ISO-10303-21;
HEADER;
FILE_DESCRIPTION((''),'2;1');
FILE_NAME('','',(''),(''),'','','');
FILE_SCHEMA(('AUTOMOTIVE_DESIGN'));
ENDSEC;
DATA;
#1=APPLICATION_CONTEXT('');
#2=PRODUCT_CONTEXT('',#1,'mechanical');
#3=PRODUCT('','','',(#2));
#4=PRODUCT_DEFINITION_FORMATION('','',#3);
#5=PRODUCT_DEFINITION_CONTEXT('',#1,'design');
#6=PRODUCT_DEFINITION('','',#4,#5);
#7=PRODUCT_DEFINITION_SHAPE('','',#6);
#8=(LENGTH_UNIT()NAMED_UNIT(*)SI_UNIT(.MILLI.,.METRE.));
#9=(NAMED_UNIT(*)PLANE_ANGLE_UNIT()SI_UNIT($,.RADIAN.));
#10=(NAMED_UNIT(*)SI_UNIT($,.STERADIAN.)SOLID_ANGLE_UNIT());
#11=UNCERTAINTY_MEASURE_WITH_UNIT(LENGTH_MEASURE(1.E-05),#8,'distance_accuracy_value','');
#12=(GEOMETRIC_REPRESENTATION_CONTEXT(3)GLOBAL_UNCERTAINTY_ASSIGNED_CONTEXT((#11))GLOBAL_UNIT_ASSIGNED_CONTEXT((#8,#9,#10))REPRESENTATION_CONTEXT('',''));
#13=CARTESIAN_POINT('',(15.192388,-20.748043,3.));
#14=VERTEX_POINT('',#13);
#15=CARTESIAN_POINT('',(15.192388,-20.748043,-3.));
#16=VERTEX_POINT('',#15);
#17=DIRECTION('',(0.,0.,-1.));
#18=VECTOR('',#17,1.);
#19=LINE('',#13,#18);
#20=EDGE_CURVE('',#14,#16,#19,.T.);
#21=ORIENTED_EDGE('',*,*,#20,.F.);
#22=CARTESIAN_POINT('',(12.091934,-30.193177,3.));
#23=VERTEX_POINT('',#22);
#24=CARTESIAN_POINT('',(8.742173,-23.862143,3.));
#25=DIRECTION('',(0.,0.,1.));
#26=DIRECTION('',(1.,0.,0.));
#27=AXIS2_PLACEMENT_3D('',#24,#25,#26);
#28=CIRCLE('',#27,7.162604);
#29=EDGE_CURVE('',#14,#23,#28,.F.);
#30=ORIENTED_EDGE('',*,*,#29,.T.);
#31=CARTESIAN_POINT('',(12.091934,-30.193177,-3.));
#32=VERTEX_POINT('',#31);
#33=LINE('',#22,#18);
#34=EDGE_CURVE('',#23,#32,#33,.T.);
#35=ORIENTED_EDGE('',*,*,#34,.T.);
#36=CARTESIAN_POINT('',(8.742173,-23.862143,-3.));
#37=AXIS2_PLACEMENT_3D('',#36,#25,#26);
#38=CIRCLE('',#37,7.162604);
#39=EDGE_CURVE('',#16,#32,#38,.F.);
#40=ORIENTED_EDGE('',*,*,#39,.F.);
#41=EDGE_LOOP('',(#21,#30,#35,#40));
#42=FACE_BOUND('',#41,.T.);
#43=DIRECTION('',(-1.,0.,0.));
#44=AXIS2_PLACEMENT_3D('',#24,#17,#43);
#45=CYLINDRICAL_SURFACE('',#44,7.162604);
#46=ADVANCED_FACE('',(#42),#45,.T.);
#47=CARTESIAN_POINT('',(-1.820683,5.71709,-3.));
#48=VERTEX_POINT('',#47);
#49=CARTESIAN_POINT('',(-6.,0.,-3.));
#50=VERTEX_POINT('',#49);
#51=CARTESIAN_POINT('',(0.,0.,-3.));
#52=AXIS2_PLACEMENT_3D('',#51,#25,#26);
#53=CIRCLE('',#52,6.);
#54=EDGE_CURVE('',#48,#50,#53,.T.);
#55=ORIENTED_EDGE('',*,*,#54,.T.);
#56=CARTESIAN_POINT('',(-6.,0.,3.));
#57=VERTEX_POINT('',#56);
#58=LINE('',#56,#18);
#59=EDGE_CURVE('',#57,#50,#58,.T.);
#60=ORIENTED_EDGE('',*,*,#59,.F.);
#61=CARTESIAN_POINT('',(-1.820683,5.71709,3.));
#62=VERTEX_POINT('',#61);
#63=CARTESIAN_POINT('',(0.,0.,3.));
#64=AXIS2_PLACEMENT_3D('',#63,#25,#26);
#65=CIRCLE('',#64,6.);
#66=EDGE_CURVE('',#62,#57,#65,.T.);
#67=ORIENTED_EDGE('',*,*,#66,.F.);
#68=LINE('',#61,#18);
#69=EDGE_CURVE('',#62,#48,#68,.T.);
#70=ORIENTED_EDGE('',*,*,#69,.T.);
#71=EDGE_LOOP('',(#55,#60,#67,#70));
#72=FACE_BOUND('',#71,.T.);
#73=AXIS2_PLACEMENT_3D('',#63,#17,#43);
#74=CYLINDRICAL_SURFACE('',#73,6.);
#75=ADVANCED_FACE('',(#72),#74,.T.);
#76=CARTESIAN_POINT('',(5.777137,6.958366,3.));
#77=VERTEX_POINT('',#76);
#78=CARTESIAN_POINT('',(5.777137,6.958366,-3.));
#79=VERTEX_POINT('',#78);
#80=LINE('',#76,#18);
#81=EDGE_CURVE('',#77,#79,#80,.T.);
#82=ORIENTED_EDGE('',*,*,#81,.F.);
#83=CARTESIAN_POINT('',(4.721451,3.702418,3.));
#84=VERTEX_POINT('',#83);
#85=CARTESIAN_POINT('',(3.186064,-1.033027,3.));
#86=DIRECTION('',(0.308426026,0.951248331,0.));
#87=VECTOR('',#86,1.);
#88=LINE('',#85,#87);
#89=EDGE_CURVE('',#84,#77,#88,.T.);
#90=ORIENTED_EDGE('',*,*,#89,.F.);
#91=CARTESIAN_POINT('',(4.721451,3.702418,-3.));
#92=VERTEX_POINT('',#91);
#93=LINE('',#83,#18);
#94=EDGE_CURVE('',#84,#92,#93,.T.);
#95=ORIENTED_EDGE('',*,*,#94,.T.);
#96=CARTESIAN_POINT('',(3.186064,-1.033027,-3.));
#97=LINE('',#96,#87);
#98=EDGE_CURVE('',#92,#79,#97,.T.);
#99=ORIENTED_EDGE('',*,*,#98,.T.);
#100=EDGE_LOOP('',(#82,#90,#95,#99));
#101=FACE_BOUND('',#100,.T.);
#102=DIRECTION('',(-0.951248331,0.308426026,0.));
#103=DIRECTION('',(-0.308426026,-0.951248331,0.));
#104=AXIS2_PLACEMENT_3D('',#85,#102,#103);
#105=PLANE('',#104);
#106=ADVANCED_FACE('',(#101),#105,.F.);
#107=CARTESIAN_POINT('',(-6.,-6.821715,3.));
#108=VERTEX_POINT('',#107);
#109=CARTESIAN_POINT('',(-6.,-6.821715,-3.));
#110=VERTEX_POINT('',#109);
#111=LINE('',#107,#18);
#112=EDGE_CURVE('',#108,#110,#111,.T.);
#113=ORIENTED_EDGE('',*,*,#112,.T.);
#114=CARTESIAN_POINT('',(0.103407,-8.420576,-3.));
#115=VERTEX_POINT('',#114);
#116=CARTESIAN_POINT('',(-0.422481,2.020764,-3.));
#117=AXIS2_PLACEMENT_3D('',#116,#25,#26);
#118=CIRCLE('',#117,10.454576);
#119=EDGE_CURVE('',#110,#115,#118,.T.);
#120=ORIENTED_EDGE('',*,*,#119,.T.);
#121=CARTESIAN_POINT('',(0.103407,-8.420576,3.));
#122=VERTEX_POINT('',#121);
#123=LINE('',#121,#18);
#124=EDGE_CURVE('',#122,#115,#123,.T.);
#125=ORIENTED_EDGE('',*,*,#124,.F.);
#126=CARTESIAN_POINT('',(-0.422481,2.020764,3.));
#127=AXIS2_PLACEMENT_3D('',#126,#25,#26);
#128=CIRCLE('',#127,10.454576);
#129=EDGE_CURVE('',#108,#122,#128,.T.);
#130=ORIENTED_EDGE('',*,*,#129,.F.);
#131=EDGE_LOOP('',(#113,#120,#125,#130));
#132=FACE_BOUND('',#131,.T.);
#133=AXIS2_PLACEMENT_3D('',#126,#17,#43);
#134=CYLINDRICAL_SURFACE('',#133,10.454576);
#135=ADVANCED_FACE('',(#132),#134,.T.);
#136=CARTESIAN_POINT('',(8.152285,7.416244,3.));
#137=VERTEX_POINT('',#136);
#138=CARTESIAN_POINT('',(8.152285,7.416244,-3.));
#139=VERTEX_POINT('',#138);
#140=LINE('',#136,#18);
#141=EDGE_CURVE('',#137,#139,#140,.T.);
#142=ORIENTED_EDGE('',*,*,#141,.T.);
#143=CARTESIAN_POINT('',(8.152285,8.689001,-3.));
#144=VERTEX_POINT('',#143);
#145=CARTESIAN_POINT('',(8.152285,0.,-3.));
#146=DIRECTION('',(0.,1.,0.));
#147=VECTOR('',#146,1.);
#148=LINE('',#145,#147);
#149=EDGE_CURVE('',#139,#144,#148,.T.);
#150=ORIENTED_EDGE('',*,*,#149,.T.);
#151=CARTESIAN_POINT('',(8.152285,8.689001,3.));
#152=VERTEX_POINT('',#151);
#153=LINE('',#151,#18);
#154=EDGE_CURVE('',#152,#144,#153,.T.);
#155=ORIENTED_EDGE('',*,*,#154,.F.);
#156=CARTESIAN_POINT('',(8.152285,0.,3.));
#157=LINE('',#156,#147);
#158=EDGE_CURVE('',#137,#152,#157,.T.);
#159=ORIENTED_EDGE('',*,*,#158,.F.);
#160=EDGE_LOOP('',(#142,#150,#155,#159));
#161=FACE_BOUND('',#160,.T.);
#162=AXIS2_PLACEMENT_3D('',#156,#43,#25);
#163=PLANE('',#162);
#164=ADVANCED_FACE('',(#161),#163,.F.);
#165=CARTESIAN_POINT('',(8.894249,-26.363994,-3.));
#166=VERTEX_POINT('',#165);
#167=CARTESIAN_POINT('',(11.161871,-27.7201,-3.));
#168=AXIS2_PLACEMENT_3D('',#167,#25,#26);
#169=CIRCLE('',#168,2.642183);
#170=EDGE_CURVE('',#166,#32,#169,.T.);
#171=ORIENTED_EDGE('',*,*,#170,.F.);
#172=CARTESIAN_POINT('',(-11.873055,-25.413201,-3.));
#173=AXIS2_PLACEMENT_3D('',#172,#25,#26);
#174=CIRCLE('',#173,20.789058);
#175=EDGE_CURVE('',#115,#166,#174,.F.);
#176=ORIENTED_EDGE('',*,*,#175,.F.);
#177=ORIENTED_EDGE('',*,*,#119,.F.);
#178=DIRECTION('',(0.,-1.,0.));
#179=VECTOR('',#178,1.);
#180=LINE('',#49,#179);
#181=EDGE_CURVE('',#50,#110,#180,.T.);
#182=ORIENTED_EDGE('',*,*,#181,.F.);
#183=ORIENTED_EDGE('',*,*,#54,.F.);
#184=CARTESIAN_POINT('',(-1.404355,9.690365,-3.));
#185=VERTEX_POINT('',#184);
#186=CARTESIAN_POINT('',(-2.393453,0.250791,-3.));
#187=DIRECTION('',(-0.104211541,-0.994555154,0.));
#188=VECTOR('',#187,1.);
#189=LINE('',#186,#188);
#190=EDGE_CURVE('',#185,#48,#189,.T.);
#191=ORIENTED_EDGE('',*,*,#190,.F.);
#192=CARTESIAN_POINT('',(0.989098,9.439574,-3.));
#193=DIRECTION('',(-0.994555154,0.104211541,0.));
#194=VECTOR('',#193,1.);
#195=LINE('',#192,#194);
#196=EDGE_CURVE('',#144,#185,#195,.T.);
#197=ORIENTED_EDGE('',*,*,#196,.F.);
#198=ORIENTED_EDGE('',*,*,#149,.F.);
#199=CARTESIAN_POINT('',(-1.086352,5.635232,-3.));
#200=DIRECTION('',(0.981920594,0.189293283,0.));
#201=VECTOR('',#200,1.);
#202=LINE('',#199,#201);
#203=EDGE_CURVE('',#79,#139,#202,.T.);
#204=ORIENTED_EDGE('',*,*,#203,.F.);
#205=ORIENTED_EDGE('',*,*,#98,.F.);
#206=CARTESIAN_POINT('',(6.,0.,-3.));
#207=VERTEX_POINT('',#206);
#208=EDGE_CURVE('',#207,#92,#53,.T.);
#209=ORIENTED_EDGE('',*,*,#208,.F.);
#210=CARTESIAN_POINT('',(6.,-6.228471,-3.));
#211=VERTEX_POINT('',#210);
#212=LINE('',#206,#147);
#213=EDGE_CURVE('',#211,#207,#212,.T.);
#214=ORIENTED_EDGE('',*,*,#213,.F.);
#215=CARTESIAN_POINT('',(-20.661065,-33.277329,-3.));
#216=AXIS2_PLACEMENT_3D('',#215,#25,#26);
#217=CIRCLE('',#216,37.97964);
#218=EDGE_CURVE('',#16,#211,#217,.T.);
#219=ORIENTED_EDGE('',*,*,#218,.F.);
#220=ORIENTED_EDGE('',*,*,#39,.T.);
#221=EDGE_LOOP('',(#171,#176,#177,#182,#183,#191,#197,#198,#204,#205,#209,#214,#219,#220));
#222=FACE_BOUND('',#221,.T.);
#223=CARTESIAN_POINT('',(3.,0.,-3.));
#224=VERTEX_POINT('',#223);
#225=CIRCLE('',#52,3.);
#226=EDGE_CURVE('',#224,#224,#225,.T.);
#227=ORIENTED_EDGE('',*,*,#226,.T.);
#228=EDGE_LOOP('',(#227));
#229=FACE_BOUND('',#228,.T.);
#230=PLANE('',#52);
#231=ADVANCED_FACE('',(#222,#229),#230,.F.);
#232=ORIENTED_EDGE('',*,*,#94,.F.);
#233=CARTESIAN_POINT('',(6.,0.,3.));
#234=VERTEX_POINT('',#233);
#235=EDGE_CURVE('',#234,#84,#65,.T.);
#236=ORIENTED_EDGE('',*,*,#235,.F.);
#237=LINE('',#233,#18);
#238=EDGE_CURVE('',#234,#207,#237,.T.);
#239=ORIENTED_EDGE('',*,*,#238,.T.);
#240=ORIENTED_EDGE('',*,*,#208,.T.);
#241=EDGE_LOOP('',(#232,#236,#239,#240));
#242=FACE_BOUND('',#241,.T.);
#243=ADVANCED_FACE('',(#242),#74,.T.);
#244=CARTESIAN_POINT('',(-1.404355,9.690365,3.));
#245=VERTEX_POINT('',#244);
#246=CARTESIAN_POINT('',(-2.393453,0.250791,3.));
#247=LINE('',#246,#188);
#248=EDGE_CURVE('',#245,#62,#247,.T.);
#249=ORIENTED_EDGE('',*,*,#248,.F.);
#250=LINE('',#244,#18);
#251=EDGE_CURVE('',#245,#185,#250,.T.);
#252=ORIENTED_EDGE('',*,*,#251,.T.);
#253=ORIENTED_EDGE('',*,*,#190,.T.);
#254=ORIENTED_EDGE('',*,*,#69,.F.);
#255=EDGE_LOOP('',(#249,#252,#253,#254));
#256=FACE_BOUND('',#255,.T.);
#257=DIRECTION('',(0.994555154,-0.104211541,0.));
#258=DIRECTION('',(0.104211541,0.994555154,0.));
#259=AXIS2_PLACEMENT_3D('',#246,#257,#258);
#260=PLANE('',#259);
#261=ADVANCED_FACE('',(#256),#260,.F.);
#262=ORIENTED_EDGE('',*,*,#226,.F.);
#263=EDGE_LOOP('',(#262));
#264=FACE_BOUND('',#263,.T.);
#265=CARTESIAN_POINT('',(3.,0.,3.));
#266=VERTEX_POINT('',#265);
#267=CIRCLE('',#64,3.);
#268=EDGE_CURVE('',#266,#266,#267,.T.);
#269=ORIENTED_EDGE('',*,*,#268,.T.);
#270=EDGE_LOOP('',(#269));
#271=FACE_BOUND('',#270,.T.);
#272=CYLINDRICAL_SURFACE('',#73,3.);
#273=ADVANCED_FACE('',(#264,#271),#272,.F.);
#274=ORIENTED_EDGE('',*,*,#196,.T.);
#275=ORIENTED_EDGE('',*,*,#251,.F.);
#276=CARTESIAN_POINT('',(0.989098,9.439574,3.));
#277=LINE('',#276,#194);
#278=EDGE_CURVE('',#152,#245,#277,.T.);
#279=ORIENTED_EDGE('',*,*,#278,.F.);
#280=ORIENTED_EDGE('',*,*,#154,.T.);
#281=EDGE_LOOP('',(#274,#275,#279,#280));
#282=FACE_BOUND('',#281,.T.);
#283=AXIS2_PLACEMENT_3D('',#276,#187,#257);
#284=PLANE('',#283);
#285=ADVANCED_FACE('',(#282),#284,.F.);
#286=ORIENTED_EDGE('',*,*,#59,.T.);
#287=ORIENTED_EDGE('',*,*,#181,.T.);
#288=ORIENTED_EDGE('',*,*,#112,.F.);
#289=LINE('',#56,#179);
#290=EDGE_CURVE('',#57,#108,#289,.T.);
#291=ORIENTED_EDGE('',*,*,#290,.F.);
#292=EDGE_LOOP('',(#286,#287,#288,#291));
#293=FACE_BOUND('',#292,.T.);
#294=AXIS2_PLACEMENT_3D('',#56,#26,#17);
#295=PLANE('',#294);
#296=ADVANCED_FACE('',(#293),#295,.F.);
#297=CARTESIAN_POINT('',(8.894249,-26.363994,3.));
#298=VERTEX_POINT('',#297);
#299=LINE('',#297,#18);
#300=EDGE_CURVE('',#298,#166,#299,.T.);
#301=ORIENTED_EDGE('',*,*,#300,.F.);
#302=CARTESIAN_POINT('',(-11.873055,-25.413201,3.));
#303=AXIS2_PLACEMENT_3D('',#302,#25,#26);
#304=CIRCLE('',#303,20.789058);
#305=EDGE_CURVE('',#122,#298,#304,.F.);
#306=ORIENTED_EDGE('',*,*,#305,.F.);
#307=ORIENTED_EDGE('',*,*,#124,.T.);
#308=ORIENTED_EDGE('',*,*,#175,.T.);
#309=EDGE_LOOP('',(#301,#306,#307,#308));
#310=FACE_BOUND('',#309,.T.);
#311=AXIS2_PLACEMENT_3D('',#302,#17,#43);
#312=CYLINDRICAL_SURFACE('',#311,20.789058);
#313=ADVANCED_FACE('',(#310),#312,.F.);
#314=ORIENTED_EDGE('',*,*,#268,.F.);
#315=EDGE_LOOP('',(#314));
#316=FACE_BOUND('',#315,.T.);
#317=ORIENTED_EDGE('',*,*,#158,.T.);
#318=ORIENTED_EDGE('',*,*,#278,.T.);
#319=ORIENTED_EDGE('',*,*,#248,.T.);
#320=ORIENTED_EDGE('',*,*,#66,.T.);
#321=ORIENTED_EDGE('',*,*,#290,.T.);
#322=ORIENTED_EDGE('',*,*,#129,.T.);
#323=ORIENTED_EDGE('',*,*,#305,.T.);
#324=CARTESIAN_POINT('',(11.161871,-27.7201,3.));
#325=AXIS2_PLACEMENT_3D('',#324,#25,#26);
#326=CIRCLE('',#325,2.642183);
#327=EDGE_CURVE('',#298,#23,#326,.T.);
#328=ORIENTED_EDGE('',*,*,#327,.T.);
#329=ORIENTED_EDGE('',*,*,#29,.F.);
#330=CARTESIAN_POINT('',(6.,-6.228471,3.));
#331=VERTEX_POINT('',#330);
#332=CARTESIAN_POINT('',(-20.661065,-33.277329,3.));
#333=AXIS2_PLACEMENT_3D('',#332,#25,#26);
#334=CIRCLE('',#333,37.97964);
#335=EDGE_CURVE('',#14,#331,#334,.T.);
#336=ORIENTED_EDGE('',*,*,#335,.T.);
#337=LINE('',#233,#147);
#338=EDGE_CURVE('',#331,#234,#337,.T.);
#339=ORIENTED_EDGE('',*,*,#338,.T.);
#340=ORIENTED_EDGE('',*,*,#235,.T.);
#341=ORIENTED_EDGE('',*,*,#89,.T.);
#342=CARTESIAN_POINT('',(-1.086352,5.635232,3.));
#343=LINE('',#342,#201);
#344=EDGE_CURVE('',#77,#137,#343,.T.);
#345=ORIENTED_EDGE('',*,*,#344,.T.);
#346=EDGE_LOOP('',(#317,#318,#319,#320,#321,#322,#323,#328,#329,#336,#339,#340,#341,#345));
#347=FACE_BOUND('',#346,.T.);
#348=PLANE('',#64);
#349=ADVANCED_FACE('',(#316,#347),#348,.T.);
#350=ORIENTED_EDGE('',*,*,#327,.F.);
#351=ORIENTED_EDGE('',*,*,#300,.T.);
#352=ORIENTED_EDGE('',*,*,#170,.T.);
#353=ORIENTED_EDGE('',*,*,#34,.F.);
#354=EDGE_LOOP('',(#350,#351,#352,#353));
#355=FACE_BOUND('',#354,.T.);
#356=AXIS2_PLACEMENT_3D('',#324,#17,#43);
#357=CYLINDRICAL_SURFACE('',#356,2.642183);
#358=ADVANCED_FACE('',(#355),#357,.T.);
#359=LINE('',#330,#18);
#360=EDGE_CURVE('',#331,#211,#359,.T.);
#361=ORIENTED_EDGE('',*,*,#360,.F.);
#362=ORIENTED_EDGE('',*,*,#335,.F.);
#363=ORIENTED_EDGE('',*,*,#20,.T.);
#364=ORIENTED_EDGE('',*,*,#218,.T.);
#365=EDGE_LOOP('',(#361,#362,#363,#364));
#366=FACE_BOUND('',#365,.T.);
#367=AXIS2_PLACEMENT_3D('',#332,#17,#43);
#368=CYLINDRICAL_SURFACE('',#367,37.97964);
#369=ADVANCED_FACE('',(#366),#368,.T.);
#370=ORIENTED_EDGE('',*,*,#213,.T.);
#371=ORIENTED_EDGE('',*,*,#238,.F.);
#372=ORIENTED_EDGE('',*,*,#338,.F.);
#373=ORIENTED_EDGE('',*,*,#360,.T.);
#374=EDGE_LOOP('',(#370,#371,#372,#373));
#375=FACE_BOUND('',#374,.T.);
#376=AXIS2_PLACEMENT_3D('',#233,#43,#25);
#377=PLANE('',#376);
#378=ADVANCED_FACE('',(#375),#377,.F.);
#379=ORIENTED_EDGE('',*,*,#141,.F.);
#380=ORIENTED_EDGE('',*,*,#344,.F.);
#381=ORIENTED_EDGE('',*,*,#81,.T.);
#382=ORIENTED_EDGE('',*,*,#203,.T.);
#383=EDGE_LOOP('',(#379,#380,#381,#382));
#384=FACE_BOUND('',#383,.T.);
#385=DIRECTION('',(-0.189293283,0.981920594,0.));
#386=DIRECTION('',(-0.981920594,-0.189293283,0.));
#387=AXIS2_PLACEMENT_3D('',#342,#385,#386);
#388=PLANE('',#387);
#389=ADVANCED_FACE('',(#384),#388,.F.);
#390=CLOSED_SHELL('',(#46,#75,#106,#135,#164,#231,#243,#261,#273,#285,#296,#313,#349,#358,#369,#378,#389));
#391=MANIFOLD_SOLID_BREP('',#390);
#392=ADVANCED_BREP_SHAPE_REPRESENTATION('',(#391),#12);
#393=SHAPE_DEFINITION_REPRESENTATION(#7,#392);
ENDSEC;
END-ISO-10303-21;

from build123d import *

# Parameters (mm, degrees)
SKETCH_1_R      = 3
EXTRUDE_1_DEPTH = 3
EXTRUDE_2_DEPTH = 3


with BuildPart() as part:
    # 스케치1 → 보스-돌출1 (new, symmetric)
    with BuildSketch(Plane.XY):
        with BuildLine():
            ThreePointArc((-1.820682976, 5.7170896), (-4.843763922, 3.54089693), (-6, 0))
            Line((-6, 0), (-6, -6.821714583))
            ThreePointArc((-6, -6.821714583), (-3.071789079, -8.092559434), (0.10340711, -8.420576201))
            ThreePointArc((0.10340711, -8.420576201), (3.220497082, -7.778565282), (6, -6.22847127))
            Line((6, -6.22847127), (6, 0))
            ThreePointArc((6, 0), (5.671362579, 1.95848066), (4.721451168, 3.702417976))
            Line((4.721451168, 3.702417976), (5.777136763, 6.958366163))
            Line((5.777136763, 6.958366163), (8.152285112, 7.41624395))
            Line((8.152285112, 7.41624395), (8.152285112, 8.689000591))
            Line((8.152285112, 8.689000591), (-1.404354977, 9.690365056))
            Line((-1.404354977, 9.690365056), (-1.820682976, 5.7170896))
        make_face()
        Circle(SKETCH_1_R, mode=Mode.SUBTRACT)
    extrude(amount=EXTRUDE_1_DEPTH, both=True)

    # 스케치1<4> → 보스-돌출2 (add, symmetric)
    with BuildSketch(Plane.XY):
        with BuildLine():
            ThreePointArc((6, -6.22847127), (3.220497082, -7.778565282), (0.10340711, -8.420576201))
            ThreePointArc((0.10340711, -8.420576201), (6.795906325, -16.266900398), (8.894248996, -26.363994395))
            ThreePointArc((8.894248996, -26.363994395), (9.133835845, -29.413676999), (12.091934084, -30.193177258))
            ThreePointArc((12.091934084, -30.193177258), (15.547503566, -26.096056877), (15.192388226, -20.748043324))
            ThreePointArc((15.192388226, -20.748043324), (11.428197085, -12.961513513), (6, -6.22847127))
        make_face()
    extrude(amount=EXTRUDE_2_DEPTH, both=True)


solid = part.part
